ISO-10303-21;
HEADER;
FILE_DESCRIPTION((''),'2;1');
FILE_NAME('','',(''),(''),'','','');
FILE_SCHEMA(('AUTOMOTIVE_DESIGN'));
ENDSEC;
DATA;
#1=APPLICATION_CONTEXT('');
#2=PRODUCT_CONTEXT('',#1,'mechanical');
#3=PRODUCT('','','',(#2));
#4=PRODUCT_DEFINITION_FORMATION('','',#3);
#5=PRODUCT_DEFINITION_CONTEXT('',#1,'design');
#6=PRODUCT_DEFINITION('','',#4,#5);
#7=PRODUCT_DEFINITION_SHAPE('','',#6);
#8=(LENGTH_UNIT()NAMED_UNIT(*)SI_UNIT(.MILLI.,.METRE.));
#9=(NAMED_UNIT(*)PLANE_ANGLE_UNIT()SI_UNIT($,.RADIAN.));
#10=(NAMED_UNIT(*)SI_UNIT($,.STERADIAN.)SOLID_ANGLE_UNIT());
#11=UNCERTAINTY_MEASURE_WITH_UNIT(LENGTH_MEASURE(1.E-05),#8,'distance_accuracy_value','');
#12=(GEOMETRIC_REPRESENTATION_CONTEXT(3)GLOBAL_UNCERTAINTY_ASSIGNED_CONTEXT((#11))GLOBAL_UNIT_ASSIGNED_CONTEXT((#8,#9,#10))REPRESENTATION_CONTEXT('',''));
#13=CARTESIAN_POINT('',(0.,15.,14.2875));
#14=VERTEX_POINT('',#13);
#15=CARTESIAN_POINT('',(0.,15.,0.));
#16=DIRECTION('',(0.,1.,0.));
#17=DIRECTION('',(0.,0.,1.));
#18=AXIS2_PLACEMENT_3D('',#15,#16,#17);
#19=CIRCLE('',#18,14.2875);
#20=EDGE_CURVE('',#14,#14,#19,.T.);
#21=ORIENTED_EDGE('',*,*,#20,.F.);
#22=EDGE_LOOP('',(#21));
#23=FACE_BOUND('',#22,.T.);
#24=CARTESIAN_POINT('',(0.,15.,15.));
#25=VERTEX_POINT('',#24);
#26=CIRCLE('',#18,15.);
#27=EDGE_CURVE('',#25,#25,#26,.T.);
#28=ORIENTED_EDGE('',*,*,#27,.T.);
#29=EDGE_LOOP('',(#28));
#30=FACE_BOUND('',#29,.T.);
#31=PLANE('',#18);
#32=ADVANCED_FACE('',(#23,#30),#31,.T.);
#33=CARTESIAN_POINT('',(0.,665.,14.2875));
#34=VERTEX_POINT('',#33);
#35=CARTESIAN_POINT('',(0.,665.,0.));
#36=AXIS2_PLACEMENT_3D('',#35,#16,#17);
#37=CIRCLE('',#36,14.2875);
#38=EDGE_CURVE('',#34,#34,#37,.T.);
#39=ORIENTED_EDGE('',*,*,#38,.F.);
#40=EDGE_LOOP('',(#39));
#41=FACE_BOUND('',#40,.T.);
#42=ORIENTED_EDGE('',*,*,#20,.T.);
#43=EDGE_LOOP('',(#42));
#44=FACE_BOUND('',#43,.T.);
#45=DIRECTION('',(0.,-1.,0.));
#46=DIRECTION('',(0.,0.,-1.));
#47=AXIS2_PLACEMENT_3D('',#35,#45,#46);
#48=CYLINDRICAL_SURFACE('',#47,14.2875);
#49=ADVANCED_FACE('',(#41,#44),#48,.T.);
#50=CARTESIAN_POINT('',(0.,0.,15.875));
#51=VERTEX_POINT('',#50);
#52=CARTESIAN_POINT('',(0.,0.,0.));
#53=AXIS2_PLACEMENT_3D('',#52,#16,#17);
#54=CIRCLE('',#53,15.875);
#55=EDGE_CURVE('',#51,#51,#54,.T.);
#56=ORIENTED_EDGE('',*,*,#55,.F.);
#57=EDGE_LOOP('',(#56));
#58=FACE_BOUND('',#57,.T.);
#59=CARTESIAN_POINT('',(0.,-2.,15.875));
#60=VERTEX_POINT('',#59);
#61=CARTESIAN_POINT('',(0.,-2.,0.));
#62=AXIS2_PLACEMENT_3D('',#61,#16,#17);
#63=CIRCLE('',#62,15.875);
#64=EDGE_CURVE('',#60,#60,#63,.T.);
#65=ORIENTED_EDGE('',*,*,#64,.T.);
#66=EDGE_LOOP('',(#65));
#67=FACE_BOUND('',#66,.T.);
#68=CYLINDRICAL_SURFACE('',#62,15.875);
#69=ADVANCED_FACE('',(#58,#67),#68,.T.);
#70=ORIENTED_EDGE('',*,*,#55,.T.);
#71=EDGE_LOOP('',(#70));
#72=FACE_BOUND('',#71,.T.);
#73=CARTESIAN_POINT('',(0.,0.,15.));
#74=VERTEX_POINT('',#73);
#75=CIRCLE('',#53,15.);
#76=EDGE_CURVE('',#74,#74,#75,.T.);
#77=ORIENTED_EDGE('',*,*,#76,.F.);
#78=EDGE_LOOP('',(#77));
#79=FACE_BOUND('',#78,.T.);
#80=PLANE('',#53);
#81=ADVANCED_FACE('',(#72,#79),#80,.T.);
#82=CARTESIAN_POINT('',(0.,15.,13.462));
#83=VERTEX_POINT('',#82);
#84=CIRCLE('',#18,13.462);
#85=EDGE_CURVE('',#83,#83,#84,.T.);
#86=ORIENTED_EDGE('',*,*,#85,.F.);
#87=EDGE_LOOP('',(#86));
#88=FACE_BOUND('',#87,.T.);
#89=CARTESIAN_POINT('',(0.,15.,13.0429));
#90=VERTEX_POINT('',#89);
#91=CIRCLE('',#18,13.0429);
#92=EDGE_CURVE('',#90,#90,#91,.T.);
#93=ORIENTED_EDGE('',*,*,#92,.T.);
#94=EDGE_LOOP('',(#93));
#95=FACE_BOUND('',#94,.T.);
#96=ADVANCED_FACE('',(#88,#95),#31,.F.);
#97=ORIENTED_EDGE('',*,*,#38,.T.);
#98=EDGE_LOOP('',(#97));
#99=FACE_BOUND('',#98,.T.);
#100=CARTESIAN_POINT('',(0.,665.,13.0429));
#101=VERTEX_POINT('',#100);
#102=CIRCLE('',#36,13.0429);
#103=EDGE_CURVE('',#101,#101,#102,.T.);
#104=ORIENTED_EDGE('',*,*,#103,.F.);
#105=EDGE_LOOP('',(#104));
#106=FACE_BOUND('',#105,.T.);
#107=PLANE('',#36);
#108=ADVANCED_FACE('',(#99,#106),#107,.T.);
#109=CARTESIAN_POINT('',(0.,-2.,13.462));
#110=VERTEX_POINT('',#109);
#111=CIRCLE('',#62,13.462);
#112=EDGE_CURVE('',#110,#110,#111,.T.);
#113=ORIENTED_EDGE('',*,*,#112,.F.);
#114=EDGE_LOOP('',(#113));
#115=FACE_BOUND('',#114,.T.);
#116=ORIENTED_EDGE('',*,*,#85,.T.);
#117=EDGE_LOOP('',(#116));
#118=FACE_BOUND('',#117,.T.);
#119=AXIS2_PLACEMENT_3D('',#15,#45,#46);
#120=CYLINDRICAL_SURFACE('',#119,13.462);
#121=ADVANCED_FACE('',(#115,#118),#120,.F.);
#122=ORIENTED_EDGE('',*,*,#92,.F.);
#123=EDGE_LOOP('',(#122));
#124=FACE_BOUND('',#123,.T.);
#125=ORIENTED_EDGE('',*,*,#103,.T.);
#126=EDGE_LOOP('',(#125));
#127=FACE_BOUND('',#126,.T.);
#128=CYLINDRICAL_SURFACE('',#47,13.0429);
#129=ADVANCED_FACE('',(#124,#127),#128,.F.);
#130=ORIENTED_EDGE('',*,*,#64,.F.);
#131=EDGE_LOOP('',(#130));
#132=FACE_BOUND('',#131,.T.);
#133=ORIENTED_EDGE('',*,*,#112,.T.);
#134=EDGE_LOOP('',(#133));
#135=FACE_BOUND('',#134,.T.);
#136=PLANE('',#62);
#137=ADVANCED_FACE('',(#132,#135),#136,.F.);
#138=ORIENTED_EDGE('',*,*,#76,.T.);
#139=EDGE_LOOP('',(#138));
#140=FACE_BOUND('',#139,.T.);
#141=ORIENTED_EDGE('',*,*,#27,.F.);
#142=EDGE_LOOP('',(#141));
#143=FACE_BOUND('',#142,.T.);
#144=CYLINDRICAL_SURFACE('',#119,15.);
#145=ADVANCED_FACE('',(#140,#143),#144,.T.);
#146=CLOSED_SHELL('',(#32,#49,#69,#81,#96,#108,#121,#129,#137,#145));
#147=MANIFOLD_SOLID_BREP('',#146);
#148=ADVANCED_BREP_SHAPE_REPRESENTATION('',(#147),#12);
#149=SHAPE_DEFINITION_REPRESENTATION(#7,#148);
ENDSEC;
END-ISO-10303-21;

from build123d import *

# Parameters (mm, degrees)
SKETCH1_R           = 15
SKETCH1_R_2         = 13.462
BOSS_EXTRUDE1_DEPTH = 15
SKETCH4_R           = 14.2875
SKETCH4_R_2         = 13.0429
BOSS_EXTRUDE5_DEPTH = 650
BOSS_EXTRUDE6_START = -2
SKETCH1_4_R         = 15.875
SKETCH1_4_R_2       = 13.462
BOSS_EXTRUDE6_DEPTH = 2


with BuildPart() as part:
    # Sketch1 → Boss-Extrude1 (new body)
    with BuildSketch(Plane(origin=(0, 0, 0), x_dir=(1, 0, 0), z_dir=(0, 1, 0))):
        Circle(SKETCH1_R)
        Circle(SKETCH1_R_2, mode=Mode.SUBTRACT)
    extrude(amount=BOSS_EXTRUDE1_DEPTH)

    # Sketch4 → Boss-Extrude5 (add)
    with BuildSketch(Plane(origin=(0, 15, 0), x_dir=(1, 0, 0), z_dir=(0, 1, 0))):
        Circle(SKETCH4_R)
        Circle(SKETCH4_R_2, mode=Mode.SUBTRACT)
    extrude(amount=BOSS_EXTRUDE5_DEPTH)

    # Sketch1<4> → Boss-Extrude6 (add)
    with BuildSketch(Plane(origin=(0, 0, 0), x_dir=(1, 0, 0), z_dir=(0, 1, 0)).offset(BOSS_EXTRUDE6_START)):
        Circle(SKETCH1_4_R)
        Circle(SKETCH1_4_R_2, mode=Mode.SUBTRACT)
    extrude(amount=BOSS_EXTRUDE6_DEPTH)


solid = part.part
